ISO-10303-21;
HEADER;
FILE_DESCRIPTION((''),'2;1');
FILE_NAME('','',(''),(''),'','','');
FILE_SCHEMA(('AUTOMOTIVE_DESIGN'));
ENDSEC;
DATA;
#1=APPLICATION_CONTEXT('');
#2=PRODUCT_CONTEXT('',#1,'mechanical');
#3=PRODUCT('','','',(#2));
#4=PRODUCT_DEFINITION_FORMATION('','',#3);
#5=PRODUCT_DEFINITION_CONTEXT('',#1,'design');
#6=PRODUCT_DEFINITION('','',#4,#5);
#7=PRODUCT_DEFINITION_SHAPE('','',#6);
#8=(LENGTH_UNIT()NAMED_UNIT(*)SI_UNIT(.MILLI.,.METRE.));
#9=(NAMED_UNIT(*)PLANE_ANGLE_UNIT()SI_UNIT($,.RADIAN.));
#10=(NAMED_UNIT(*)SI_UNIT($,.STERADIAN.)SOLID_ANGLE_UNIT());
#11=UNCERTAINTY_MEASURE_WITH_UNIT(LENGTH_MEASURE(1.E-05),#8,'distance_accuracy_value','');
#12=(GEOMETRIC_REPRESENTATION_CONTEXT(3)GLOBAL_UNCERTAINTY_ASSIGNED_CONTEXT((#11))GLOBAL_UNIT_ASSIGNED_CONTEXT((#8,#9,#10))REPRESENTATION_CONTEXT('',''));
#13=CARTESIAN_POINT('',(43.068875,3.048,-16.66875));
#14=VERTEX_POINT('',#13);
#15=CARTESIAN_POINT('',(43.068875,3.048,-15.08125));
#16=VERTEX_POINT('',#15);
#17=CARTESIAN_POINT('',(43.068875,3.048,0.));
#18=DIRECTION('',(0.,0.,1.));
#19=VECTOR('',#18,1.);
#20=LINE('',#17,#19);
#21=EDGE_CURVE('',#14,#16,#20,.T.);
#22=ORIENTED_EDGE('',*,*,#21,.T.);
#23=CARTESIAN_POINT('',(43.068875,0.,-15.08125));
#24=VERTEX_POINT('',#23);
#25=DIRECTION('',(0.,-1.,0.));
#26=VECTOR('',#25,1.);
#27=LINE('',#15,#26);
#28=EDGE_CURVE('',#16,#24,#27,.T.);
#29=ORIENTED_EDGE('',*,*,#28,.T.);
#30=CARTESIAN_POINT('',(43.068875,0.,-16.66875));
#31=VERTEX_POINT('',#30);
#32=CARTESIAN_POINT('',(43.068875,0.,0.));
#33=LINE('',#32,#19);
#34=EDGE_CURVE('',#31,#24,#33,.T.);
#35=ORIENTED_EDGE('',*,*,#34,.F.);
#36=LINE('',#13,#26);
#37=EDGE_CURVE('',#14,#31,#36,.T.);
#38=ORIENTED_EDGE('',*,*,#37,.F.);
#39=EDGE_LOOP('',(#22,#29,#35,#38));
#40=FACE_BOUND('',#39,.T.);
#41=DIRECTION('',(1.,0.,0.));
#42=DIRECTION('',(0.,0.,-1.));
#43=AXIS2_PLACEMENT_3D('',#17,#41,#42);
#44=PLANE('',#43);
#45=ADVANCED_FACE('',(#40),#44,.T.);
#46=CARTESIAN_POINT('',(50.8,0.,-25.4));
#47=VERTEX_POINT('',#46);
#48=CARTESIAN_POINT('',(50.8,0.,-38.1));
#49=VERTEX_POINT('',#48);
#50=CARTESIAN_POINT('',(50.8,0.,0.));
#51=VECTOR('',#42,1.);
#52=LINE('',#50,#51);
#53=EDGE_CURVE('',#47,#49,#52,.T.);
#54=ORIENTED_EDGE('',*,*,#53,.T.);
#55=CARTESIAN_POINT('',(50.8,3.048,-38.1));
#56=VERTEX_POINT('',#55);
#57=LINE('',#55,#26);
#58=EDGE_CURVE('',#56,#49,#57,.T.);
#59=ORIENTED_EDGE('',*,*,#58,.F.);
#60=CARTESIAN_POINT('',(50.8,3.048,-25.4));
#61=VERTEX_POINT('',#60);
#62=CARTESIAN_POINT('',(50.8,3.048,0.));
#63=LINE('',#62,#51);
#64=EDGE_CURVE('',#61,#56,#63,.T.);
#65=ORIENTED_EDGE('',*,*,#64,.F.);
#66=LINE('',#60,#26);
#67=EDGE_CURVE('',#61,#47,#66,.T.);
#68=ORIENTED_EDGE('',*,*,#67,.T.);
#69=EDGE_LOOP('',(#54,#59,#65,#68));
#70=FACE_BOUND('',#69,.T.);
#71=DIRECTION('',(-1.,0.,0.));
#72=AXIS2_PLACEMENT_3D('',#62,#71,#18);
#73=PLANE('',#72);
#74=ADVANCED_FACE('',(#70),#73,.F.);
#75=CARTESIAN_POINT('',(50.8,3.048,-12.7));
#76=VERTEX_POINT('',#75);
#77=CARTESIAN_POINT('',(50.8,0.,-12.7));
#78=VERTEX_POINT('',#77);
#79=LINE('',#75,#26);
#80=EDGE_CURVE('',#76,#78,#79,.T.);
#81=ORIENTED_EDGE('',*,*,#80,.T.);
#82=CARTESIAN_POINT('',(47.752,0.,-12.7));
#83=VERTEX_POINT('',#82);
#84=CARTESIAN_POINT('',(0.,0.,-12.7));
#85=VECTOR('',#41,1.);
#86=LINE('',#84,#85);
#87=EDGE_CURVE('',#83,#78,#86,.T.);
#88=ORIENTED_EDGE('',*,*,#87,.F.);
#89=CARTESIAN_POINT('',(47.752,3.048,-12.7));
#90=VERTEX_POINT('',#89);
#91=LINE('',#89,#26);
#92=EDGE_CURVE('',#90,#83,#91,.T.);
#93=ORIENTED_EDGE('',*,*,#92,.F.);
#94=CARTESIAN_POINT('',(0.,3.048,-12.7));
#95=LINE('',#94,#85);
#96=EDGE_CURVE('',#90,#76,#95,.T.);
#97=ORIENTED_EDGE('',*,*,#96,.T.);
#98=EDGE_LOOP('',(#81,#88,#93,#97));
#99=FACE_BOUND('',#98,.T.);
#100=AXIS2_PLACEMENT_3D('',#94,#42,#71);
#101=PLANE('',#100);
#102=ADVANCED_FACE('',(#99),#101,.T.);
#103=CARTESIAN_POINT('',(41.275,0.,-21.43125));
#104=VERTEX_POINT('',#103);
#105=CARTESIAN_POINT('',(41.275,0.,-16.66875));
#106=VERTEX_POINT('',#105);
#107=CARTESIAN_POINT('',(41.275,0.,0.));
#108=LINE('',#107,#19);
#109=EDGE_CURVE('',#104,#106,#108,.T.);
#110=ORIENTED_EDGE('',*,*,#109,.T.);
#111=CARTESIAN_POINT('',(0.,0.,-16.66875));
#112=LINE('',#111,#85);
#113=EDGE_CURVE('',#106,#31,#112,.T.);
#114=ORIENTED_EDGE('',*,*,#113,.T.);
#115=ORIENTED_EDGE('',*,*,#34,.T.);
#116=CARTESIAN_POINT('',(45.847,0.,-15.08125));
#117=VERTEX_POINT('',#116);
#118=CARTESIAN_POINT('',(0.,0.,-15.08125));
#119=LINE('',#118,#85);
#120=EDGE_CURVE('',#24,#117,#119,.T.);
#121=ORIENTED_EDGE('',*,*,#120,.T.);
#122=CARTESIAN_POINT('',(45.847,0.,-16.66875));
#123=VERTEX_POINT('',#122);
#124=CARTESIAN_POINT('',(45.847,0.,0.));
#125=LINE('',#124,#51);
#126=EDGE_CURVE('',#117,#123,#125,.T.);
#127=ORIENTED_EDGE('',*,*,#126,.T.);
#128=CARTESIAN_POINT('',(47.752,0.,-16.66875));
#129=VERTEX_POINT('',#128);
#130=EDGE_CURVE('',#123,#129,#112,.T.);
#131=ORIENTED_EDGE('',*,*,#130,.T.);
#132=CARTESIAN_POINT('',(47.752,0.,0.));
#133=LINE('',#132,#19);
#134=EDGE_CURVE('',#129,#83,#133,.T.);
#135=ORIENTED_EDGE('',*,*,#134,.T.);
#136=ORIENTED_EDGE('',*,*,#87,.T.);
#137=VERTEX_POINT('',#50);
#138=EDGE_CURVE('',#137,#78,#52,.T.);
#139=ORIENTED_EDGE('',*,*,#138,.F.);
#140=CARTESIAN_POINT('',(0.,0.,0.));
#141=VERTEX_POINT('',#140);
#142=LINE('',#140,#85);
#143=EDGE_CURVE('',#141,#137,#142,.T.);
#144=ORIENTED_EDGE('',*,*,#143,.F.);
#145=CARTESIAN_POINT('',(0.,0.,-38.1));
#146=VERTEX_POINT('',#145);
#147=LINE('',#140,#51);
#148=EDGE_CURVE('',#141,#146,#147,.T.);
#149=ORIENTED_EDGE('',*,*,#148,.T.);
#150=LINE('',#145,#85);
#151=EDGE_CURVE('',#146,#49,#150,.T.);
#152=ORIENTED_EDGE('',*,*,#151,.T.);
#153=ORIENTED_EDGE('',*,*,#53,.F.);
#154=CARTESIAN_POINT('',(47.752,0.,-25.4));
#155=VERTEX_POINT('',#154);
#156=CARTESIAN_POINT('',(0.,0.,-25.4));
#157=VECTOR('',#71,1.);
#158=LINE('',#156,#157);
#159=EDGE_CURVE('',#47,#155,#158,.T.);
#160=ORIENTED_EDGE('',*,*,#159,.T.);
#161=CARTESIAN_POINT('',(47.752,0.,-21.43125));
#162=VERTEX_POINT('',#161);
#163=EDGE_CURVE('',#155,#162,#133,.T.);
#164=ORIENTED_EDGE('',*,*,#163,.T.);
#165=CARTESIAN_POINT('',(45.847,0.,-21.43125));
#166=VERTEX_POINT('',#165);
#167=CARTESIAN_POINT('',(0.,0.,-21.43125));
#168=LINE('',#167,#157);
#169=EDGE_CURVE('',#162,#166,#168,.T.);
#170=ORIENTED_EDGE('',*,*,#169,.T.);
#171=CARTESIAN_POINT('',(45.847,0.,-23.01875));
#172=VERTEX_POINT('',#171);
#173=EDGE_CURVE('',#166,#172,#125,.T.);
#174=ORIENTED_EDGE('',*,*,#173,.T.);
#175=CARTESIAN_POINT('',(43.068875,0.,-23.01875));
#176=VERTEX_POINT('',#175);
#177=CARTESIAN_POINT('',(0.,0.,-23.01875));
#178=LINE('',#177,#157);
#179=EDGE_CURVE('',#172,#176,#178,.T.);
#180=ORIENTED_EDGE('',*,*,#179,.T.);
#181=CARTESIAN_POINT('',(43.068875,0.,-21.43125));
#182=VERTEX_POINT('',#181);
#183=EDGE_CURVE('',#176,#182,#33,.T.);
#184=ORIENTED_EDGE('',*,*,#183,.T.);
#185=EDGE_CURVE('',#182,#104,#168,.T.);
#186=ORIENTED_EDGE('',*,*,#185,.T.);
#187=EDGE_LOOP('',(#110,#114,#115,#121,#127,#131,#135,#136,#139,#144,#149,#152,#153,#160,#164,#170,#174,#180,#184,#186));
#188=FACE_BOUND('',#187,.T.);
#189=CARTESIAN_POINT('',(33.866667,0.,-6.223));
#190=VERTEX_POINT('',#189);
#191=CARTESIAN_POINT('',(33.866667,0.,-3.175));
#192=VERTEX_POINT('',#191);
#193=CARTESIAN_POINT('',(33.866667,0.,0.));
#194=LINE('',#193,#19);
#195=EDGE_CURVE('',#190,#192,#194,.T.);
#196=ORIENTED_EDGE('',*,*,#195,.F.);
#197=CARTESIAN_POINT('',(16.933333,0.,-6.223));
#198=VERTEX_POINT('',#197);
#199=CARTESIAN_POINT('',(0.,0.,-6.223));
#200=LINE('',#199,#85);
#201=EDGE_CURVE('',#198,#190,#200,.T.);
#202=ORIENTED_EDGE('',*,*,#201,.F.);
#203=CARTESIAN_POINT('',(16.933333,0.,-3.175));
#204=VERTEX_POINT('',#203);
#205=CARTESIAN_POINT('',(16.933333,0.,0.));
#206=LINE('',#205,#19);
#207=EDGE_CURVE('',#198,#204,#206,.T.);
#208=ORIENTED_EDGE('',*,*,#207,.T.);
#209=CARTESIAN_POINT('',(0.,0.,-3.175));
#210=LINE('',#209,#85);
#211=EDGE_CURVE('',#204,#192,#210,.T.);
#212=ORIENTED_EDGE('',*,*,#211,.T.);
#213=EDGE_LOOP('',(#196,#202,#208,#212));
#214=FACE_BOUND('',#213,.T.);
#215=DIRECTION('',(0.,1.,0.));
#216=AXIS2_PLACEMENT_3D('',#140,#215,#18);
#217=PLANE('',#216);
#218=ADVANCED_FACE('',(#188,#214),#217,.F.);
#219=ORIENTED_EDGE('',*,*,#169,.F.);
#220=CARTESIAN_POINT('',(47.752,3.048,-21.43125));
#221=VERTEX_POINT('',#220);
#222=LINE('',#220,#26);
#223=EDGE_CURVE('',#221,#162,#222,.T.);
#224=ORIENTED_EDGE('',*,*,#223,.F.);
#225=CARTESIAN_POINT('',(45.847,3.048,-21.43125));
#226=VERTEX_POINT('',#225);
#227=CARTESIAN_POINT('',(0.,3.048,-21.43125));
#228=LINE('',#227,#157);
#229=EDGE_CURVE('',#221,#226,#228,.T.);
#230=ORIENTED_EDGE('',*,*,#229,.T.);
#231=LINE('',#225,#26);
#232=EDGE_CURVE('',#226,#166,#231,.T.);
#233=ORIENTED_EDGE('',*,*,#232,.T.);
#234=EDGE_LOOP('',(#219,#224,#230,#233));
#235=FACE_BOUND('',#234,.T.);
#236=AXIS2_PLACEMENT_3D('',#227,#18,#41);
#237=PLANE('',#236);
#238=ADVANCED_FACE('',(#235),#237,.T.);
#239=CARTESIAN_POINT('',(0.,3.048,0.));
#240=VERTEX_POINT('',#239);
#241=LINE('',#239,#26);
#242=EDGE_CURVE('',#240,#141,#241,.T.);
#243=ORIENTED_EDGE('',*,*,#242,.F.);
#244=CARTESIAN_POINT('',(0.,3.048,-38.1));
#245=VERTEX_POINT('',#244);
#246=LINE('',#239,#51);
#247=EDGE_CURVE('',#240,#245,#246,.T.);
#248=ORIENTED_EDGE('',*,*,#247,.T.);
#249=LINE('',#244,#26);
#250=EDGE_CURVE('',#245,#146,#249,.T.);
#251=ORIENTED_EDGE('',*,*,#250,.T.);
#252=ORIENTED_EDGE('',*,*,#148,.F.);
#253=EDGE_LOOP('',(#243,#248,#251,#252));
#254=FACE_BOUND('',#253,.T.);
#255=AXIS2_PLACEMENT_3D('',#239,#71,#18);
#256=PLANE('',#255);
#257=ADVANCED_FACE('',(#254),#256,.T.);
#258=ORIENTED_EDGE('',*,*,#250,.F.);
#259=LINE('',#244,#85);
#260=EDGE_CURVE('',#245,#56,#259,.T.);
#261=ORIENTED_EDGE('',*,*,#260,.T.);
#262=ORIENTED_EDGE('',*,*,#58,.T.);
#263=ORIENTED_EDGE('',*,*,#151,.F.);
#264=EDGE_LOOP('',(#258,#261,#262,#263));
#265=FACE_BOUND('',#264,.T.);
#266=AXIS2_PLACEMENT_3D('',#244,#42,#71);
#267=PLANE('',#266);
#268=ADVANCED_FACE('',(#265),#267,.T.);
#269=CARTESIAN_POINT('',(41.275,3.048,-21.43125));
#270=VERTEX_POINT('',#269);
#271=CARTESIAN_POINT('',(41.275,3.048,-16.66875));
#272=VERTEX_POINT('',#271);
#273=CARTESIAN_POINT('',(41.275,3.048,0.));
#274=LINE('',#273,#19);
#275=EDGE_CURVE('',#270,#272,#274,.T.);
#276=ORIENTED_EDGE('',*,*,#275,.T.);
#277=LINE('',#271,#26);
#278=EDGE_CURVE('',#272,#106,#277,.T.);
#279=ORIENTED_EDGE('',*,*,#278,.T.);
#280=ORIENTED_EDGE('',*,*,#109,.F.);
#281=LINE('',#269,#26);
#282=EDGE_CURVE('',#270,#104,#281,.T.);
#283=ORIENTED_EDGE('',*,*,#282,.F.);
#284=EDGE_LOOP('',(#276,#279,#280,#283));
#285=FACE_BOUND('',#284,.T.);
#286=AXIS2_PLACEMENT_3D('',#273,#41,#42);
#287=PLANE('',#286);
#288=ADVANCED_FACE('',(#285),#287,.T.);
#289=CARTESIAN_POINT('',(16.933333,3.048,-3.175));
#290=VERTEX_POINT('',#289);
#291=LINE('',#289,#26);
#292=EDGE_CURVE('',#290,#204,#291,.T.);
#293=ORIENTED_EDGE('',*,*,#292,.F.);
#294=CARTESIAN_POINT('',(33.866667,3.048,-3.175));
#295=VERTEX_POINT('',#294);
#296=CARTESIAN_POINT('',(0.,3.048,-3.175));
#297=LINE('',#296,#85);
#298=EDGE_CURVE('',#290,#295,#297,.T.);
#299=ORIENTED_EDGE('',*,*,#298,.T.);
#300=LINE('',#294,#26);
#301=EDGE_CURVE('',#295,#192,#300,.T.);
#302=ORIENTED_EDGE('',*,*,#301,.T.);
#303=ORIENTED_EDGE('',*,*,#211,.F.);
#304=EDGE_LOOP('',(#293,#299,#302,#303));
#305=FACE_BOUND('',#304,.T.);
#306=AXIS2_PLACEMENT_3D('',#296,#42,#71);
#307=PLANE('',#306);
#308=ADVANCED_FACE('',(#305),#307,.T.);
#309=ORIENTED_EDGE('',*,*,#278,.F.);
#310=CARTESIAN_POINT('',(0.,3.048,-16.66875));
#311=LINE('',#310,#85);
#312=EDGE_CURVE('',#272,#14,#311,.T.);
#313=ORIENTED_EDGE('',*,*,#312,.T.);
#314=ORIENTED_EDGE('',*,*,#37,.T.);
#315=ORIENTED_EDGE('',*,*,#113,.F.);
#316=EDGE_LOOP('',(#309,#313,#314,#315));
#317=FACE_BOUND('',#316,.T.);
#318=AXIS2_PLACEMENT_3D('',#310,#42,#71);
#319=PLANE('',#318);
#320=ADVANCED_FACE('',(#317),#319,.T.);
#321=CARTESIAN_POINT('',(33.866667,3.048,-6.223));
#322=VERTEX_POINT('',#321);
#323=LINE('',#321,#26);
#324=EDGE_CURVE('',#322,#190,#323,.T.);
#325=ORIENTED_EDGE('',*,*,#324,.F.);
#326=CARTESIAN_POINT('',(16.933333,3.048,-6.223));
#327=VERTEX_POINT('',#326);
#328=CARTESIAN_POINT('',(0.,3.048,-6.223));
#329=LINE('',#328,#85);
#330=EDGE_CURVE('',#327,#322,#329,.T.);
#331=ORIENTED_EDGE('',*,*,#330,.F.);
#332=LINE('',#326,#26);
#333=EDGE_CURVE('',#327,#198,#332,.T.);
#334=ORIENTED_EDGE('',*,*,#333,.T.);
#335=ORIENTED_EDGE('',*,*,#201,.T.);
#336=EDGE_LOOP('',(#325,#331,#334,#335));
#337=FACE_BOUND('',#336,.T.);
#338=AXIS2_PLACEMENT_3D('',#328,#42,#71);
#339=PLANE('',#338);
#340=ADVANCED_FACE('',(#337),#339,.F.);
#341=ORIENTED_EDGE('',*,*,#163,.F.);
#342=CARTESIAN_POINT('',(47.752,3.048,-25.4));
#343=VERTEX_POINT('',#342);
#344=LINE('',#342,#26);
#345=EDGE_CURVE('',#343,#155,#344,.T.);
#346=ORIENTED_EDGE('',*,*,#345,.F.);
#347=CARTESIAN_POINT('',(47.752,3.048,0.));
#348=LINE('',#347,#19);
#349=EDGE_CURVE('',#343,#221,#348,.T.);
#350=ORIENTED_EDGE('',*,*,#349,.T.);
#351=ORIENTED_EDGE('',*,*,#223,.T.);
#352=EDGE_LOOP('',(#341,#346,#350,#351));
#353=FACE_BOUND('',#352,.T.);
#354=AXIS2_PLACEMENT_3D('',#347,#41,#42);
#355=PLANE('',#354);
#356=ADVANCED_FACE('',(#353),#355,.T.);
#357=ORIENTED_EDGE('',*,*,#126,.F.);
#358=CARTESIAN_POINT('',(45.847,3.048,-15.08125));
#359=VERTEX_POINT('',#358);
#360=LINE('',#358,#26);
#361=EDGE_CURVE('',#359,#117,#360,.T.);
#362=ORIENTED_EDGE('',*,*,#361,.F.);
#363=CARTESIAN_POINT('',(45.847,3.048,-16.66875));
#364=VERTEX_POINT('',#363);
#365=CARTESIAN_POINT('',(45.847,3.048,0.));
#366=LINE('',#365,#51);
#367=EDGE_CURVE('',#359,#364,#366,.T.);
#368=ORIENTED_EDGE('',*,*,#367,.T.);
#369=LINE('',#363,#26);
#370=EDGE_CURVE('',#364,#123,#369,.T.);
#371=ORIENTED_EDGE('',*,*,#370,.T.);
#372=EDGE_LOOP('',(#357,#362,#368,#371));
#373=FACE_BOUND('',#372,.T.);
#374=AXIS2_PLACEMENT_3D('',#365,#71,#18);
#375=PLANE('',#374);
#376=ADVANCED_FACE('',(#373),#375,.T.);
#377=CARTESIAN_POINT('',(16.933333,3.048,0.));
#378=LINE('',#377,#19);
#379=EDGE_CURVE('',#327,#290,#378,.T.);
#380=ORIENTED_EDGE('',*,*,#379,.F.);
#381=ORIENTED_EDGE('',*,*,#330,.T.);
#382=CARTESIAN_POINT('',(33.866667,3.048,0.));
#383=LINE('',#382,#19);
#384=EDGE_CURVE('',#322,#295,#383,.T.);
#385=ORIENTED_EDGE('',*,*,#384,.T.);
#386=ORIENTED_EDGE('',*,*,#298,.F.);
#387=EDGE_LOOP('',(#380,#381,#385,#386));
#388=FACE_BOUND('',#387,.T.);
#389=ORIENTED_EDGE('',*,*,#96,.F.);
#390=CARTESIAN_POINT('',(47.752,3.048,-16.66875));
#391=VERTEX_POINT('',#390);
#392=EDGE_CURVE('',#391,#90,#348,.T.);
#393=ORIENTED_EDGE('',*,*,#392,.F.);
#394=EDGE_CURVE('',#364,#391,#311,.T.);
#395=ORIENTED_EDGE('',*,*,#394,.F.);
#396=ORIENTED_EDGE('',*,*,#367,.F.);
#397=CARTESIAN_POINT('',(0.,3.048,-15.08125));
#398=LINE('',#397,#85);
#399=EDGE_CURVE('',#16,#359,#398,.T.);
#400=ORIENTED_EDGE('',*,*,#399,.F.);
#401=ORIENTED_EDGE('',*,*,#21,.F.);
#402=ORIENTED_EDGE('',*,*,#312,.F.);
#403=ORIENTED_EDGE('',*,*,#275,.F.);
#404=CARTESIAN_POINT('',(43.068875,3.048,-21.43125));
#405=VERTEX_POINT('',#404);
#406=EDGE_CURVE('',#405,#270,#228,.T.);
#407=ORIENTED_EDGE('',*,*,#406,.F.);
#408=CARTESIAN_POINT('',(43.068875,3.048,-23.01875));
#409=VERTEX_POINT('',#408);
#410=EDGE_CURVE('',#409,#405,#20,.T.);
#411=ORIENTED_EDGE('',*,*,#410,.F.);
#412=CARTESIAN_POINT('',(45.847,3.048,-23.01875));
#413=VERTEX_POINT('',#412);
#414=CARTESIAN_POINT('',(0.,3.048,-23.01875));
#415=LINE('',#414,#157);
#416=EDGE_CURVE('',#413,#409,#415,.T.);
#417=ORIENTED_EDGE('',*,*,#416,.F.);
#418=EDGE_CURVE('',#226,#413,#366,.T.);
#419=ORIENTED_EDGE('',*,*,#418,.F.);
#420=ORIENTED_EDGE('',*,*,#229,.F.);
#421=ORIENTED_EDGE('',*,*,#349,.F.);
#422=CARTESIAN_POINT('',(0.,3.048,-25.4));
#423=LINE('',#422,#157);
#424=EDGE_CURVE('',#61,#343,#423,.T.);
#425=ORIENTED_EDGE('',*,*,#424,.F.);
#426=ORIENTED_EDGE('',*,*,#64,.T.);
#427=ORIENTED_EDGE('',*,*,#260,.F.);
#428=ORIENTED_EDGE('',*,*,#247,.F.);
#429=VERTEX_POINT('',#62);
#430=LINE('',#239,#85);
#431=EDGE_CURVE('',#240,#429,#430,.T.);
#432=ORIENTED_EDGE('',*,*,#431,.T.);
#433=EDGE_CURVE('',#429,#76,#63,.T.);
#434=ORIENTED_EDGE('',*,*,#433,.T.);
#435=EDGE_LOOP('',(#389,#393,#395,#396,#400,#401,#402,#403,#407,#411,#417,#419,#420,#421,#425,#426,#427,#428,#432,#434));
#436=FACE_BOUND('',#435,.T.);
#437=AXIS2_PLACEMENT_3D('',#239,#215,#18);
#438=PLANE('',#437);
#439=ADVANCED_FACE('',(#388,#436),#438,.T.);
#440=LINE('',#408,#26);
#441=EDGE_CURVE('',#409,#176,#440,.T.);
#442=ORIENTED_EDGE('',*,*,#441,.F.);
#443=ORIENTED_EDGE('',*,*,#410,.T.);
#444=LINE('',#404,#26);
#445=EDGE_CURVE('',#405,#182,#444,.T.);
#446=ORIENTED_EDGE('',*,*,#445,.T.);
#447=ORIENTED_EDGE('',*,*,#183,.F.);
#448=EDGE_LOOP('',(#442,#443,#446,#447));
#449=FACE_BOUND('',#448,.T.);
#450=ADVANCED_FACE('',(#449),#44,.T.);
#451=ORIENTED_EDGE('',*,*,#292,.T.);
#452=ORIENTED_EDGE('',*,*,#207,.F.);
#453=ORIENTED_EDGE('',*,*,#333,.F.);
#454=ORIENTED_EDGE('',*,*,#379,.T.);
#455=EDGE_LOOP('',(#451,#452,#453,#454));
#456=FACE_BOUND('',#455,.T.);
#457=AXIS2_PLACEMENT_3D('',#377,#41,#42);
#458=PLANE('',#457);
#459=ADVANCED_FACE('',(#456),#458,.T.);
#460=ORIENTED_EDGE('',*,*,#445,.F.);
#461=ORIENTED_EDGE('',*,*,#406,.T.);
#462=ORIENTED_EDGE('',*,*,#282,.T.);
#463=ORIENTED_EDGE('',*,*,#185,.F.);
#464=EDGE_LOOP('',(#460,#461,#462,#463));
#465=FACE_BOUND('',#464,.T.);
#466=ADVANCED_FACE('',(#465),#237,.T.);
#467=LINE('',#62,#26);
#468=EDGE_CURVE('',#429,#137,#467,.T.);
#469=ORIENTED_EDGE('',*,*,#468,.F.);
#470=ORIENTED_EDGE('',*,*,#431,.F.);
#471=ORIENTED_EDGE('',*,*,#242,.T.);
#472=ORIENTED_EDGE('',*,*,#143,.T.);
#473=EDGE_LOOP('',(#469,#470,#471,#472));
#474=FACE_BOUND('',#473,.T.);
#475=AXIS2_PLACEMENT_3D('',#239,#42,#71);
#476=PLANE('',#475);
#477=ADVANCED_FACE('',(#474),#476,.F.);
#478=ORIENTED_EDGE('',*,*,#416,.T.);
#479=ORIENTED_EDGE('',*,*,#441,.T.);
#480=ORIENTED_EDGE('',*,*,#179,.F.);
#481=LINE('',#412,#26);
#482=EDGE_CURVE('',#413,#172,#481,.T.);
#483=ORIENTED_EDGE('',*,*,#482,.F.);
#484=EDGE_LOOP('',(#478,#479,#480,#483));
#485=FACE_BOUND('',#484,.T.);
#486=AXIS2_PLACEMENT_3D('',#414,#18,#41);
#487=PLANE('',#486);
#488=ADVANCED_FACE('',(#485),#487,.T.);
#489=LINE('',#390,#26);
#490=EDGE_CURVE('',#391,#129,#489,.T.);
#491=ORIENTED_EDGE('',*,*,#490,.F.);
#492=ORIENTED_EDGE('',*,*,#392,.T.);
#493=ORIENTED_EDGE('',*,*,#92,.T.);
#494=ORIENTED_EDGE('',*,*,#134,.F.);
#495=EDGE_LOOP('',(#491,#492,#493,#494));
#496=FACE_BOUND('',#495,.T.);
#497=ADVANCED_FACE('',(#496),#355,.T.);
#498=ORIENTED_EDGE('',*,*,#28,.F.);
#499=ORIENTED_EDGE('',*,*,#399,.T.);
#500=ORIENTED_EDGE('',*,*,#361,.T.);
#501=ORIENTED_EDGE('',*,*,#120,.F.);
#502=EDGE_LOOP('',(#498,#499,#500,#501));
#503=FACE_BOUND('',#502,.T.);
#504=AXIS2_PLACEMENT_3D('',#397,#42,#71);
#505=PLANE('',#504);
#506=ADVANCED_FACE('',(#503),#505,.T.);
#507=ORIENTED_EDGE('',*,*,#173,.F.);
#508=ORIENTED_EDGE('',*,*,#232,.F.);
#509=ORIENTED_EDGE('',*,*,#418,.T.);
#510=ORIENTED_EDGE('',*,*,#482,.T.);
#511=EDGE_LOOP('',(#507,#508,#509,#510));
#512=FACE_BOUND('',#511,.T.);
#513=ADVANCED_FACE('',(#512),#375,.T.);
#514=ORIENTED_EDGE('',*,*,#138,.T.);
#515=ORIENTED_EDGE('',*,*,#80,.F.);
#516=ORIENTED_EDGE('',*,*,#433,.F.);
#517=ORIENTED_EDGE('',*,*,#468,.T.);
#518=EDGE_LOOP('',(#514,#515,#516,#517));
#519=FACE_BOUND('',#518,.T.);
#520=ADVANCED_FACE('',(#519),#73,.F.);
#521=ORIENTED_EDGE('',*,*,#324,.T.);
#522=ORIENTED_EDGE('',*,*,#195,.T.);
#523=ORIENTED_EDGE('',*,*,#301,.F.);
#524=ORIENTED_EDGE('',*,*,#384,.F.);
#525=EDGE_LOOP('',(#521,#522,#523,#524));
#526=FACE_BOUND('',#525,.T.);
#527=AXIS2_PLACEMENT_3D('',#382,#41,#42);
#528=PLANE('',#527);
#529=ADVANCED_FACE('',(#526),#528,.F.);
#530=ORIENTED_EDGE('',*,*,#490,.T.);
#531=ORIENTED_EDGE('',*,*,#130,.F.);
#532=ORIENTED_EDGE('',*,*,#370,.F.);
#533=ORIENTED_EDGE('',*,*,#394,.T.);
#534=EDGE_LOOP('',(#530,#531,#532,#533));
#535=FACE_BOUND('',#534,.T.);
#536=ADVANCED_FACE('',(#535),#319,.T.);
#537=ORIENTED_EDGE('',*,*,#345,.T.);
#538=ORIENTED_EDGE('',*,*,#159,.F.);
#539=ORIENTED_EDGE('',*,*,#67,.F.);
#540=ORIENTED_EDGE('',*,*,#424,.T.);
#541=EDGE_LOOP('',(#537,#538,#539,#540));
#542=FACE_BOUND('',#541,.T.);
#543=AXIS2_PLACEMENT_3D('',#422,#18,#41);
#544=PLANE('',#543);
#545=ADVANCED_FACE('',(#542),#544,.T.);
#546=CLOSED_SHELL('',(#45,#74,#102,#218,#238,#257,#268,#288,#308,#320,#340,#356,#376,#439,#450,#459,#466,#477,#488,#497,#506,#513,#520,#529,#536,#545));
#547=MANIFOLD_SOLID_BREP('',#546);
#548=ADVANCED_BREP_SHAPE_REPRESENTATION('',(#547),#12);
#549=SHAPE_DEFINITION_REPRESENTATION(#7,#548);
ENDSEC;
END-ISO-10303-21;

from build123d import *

# Parameters (mm, degrees)
SKETCH2_W           = 16.933333418
SKETCH2_H           = 3.048
BOSS_EXTRUDE1_DEPTH = 3.048


with BuildPart() as part:
    # Sketch2 → Boss-Extrude1 (new body)
    with BuildSketch(Plane(origin=(0, 0, 0), x_dir=(1, 0, 0), z_dir=(0, 1, 0))):
        Polygon((47.752, 25.4), (50.8, 25.4), (50.8, 38.1), (0, 38.1), (0, 0), (50.8, 0), (50.8, 12.7), (47.752, 12.7), (47.752, 16.66875), (45.847, 16.66875), (45.847, 15.08125), (43.068875, 15.08125), (43.068875, 16.66875), (41.275, 16.66875), (41.275, 21.43125), (43.068875, 21.43125), (43.068875, 23.01875), (45.847, 23.01875), (45.847, 21.43125), (47.752, 21.43125), align=None)
        with Locations((25.400000042, 4.699)):
            Rectangle(SKETCH2_W, SKETCH2_H, mode=Mode.SUBTRACT)
    extrude(amount=BOSS_EXTRUDE1_DEPTH)


solid = part.part
